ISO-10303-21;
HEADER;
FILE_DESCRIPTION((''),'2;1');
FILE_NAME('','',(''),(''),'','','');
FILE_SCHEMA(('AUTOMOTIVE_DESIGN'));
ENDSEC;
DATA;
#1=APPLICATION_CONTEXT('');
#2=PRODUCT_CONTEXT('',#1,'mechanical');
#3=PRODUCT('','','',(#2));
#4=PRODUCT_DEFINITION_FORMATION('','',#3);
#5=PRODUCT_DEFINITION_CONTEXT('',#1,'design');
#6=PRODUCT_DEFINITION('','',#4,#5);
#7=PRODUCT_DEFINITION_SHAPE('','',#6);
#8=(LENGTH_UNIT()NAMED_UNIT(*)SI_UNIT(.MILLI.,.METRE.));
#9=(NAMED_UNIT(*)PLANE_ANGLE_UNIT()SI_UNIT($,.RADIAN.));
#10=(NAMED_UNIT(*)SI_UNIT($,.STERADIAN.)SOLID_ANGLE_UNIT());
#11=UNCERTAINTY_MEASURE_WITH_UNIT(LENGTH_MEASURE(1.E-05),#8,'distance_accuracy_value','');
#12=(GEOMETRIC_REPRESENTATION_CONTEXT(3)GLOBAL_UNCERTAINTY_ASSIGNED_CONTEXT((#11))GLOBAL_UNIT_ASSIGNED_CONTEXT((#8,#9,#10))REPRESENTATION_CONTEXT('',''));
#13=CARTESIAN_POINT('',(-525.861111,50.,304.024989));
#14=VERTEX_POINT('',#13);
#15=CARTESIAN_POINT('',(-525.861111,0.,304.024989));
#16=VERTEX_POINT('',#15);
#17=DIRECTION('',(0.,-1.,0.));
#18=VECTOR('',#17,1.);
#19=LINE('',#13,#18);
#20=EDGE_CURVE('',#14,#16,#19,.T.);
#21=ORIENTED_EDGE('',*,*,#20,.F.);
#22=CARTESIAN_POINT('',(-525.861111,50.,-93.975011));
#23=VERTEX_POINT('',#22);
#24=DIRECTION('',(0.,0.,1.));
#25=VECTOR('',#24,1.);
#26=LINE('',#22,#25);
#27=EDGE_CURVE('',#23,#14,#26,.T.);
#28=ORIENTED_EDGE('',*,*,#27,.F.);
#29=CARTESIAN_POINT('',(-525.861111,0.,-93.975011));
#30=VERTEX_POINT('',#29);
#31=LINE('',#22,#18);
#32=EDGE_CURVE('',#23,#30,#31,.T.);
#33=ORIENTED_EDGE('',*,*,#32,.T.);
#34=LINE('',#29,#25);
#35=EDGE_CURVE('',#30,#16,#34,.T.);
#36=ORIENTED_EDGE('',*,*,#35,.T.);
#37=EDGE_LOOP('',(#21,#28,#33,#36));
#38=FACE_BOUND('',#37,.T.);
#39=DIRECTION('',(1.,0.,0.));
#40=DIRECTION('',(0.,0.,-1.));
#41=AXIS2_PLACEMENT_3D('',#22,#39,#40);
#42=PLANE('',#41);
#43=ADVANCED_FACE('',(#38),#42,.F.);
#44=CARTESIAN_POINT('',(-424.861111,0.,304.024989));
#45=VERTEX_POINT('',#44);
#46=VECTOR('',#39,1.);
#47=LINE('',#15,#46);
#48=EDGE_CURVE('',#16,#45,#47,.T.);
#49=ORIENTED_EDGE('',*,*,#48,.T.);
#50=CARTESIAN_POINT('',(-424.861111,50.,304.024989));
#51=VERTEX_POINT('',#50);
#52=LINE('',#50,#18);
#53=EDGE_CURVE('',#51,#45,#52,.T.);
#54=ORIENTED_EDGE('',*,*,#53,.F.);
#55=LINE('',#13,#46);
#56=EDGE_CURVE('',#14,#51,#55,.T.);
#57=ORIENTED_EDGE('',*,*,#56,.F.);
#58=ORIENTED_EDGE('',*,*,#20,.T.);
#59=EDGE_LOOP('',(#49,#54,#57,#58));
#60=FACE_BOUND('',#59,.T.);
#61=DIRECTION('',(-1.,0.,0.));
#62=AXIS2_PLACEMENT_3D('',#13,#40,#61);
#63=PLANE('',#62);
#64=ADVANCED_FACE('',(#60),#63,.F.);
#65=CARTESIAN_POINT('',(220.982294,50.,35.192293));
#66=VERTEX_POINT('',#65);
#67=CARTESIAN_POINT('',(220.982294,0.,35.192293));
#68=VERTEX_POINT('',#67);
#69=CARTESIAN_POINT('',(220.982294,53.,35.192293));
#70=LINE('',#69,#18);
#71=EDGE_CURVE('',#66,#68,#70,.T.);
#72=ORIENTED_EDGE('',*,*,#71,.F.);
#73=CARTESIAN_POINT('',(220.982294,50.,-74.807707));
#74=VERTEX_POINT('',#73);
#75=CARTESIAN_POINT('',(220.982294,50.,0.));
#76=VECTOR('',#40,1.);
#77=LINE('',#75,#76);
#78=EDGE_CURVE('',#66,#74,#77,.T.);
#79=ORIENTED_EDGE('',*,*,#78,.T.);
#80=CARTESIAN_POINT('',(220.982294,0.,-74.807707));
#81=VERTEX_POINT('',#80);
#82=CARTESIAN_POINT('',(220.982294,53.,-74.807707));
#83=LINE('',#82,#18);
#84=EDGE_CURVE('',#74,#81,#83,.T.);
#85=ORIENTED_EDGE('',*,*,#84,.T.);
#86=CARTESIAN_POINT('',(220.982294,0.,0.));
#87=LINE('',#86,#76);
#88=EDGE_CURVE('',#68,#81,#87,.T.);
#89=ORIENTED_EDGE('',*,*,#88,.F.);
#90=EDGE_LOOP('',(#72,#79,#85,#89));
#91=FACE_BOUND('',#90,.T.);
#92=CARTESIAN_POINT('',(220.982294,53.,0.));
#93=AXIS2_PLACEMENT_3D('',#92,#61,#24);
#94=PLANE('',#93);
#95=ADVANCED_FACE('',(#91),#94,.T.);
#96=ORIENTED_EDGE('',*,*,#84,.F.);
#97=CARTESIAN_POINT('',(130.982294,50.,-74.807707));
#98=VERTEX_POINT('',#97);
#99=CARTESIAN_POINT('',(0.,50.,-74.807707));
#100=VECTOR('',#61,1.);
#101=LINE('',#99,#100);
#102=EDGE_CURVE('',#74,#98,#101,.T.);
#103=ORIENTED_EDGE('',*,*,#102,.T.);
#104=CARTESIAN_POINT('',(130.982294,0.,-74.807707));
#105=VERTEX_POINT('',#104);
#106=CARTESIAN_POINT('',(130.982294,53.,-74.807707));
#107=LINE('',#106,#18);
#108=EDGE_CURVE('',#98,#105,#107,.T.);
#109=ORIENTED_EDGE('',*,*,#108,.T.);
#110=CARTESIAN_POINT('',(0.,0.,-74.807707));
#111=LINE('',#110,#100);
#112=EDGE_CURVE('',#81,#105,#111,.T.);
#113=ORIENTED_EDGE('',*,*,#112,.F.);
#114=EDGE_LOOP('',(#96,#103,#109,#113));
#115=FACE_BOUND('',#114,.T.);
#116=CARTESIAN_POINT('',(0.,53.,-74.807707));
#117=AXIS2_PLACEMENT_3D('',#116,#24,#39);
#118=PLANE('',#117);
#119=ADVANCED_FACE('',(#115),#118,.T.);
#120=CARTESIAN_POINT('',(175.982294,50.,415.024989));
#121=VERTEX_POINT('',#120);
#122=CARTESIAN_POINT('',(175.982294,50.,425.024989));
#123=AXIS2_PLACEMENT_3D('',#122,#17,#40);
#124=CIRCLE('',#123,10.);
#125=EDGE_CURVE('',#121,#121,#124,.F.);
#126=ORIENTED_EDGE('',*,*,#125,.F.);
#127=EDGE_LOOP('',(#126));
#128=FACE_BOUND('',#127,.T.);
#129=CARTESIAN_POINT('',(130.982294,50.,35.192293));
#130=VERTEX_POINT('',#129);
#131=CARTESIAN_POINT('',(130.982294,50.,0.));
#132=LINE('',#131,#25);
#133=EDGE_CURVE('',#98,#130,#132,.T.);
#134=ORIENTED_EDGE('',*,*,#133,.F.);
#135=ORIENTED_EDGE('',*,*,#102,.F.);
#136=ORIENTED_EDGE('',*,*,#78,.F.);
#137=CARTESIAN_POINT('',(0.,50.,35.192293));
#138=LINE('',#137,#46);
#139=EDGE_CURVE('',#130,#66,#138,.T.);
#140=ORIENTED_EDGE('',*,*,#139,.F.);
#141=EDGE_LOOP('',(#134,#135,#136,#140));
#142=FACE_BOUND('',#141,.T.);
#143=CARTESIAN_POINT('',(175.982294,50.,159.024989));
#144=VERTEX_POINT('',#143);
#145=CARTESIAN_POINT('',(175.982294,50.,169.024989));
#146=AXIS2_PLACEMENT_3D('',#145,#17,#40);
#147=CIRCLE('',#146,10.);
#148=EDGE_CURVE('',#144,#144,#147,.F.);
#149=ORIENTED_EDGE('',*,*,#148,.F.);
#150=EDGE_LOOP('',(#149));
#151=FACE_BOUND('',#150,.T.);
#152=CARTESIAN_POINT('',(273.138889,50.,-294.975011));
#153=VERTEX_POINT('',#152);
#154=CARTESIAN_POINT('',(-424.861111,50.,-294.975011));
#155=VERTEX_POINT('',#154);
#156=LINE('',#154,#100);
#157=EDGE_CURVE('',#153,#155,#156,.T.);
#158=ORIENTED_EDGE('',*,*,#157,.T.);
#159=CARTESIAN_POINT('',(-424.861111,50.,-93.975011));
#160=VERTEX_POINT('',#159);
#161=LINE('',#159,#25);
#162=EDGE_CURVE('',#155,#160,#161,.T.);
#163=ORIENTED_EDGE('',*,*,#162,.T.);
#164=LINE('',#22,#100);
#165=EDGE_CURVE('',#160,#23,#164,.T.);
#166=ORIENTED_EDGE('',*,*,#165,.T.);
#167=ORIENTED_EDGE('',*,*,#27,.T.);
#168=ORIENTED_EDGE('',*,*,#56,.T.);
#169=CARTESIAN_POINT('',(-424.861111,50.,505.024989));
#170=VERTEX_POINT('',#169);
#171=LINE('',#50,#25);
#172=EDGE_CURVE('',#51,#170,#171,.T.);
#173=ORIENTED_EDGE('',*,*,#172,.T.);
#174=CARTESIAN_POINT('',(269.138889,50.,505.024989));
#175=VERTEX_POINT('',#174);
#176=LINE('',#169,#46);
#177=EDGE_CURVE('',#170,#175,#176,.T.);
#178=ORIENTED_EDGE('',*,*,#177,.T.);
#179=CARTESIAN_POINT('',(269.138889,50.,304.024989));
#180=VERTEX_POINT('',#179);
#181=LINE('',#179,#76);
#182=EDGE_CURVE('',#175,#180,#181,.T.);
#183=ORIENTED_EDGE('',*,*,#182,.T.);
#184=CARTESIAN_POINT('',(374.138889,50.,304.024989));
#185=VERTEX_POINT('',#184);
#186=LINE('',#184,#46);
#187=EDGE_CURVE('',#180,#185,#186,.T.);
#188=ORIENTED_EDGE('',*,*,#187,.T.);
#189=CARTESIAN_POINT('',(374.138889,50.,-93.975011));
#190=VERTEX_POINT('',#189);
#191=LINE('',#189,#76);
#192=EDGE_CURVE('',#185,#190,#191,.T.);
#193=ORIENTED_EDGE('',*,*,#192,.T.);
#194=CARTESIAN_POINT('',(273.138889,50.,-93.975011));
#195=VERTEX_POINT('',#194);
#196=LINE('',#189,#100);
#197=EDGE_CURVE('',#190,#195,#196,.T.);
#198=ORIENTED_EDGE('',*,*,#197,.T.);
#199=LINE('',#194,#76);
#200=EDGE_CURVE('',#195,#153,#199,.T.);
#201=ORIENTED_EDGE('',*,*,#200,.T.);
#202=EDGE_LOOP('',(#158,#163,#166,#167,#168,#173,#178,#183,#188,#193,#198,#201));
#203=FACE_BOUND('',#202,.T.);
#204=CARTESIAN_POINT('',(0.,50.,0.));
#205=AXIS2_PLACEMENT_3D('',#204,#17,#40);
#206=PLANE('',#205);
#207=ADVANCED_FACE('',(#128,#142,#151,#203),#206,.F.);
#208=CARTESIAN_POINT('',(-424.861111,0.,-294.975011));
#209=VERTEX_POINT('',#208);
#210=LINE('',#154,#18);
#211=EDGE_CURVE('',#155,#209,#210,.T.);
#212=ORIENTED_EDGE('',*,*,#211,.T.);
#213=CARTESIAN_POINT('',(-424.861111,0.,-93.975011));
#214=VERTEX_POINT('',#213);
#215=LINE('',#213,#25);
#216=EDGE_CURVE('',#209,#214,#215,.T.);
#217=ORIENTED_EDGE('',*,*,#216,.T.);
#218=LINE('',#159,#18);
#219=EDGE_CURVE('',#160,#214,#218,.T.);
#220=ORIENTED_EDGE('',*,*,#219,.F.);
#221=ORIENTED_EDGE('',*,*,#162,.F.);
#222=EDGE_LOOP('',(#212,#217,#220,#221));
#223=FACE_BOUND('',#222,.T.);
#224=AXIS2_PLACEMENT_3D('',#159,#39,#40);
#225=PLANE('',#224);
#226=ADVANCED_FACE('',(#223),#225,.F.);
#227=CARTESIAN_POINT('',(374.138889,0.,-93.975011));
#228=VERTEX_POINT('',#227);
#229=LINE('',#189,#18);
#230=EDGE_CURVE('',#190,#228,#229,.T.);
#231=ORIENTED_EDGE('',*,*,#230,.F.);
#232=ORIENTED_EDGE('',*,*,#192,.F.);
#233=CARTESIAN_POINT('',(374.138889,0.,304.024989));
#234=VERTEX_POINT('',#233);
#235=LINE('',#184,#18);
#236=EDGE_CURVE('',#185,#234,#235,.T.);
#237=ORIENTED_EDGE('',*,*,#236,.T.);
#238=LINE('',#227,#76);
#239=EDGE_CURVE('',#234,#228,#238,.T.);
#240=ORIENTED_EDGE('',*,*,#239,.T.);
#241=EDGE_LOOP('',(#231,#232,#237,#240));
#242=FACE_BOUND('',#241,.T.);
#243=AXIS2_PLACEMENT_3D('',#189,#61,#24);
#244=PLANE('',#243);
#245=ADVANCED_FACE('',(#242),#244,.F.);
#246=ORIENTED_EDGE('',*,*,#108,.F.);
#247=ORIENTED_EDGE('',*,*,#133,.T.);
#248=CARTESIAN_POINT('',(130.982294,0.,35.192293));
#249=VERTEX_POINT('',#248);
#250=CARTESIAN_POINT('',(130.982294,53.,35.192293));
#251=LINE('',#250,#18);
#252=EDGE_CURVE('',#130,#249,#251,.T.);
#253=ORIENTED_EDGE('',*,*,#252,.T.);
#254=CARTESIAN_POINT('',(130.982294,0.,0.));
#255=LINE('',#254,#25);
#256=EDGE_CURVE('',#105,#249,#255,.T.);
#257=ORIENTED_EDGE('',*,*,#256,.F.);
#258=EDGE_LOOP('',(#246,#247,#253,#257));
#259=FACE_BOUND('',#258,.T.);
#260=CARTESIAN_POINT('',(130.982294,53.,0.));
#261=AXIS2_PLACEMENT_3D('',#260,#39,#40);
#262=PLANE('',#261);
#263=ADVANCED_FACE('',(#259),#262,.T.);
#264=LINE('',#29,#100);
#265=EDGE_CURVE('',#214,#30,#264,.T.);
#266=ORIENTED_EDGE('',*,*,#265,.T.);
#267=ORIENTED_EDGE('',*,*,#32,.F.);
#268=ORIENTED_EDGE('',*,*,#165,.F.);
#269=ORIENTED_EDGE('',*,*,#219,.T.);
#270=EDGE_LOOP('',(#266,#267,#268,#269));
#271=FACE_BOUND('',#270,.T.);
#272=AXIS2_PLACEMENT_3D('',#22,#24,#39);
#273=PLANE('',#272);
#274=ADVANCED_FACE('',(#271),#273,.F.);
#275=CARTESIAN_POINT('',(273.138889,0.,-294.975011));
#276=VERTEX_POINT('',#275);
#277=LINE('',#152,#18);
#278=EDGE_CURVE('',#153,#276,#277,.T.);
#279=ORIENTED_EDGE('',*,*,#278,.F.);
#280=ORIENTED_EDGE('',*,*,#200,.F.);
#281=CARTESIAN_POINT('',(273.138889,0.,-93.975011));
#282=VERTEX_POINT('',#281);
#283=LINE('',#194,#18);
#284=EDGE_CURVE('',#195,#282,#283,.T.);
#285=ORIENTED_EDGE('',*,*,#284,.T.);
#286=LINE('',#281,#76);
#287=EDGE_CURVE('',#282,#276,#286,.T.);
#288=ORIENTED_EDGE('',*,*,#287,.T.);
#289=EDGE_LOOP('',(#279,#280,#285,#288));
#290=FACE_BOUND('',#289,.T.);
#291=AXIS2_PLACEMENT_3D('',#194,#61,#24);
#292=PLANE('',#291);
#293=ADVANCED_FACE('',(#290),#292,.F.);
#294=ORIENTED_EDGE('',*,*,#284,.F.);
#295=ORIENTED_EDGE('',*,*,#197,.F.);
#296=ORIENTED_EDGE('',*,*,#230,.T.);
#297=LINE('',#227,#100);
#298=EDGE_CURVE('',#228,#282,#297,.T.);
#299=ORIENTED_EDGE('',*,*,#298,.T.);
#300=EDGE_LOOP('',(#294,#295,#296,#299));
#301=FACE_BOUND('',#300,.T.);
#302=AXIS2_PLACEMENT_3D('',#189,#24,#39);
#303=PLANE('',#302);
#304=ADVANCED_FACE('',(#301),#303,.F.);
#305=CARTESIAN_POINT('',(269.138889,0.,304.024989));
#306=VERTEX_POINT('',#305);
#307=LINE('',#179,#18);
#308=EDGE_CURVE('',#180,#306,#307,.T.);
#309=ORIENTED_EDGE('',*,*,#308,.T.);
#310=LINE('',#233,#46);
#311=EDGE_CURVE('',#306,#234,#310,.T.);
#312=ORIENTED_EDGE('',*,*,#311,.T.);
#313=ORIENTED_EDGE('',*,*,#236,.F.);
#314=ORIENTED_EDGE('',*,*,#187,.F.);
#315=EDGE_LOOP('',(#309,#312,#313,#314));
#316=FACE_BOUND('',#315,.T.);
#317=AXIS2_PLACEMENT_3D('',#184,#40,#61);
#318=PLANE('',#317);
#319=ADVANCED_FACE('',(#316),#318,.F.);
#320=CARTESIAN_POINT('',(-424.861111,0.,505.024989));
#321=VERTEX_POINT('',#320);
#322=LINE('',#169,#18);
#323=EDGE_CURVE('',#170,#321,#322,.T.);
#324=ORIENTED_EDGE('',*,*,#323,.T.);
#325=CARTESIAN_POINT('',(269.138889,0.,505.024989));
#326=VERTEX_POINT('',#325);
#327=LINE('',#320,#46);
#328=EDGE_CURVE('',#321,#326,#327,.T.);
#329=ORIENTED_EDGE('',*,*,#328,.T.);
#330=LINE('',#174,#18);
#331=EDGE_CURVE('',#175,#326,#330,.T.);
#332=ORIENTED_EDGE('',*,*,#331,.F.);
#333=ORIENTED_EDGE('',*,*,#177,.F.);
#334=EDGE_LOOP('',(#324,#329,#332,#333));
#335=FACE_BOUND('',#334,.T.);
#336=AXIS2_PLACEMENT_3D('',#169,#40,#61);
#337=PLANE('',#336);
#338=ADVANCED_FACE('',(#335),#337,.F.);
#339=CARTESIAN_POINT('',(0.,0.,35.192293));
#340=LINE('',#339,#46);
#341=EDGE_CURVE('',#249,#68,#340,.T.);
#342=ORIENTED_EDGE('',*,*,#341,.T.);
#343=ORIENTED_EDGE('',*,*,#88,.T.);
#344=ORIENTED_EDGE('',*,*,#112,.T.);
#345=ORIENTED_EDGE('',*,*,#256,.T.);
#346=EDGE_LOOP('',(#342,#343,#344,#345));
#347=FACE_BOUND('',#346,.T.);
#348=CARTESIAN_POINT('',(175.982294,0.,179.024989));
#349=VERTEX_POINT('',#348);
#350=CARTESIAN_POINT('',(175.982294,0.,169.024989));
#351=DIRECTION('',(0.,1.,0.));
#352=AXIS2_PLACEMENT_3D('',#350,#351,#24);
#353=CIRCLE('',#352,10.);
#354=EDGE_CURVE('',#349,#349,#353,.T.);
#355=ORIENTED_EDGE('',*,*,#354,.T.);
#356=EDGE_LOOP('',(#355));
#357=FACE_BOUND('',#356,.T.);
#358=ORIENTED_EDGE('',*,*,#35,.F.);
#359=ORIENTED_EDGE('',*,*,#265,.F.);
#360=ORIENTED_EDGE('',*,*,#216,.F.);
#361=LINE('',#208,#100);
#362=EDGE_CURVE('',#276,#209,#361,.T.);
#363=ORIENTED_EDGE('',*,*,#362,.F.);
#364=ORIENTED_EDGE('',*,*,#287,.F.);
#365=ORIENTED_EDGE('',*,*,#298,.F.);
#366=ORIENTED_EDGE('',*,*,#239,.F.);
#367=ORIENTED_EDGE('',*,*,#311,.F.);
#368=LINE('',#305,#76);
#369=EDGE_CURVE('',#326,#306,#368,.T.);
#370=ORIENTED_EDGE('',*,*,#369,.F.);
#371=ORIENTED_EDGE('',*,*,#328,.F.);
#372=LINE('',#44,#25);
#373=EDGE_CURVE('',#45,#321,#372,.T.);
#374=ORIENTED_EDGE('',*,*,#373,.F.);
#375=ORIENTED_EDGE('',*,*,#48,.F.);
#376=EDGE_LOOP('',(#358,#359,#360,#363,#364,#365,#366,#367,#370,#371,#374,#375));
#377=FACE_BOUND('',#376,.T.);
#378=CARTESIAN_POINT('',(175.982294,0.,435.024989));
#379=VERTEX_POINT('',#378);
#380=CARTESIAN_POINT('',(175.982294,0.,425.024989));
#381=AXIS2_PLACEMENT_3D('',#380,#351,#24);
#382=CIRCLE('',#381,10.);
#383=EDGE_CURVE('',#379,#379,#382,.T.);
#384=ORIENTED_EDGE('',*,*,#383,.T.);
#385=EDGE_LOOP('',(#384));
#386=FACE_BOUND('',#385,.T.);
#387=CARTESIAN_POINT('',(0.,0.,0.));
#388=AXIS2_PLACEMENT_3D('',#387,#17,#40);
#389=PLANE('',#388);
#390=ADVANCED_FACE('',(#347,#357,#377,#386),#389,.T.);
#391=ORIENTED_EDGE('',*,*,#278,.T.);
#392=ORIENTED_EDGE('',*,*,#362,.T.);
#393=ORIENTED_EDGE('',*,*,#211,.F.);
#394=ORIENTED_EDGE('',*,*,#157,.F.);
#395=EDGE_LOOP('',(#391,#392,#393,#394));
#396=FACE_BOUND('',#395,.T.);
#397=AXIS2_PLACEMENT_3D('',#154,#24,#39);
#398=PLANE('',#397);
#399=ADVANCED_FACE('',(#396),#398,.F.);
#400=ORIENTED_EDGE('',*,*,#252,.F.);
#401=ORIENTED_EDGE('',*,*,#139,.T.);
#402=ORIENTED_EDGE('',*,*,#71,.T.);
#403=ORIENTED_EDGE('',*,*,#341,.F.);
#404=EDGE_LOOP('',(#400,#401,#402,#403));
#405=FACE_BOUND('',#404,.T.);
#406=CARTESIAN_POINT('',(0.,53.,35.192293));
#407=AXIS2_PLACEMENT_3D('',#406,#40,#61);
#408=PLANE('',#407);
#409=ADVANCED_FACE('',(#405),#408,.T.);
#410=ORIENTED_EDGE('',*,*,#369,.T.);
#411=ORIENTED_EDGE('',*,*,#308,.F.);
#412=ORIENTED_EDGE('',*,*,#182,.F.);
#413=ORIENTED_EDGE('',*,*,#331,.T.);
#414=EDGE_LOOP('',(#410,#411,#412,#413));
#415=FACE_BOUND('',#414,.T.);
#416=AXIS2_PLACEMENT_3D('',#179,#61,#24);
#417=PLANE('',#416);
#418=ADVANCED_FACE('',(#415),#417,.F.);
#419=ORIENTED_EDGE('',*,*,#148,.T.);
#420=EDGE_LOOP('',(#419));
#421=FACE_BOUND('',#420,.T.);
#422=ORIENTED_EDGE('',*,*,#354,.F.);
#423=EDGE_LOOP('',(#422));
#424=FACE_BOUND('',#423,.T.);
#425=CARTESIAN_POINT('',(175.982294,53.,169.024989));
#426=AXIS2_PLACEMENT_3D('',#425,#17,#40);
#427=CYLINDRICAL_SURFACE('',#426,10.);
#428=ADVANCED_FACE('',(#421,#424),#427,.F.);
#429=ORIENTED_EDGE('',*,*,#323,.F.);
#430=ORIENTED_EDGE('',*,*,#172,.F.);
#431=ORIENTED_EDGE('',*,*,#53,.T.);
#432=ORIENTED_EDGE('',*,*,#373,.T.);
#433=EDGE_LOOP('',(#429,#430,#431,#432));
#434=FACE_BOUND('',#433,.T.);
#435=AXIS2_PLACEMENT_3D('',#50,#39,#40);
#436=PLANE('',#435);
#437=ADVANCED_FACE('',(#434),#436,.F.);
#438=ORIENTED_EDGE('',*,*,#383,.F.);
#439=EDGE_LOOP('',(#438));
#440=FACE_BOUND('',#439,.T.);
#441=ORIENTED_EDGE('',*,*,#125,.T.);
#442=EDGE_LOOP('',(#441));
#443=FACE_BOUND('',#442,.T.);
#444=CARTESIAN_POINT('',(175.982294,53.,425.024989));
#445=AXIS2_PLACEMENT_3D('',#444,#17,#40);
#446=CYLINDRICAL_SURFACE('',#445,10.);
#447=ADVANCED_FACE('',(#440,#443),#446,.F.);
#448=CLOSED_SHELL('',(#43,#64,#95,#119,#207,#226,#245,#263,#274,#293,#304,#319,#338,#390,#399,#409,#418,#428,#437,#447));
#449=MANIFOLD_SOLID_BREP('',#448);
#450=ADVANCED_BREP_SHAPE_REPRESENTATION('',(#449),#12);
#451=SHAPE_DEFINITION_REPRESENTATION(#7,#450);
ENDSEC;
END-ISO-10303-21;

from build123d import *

# Parameters (mm, degrees)
BOSS_EXTRUDE1_DEPTH     = 50
CUT_EXTRUDE1_DEPTH      = 731.807873314
CUT_EXTRUDE1_DEPTH_BACK = 731.807873314
SKETCH2_R               = 10
SKETCH2_W               = 90
SKETCH2_H               = 110


with BuildPart() as part:
    # Sketch1 → Boss-Extrude1 (new body)
    with BuildSketch(Plane(origin=(0, 0, 0), x_dir=(1, 0, 0), z_dir=(0, 1, 0))):
        Polygon((-424.861111111, 294.975010995), (273.138888889, 294.975010995), (273.138888889, 93.975010995), (374.138888889, 93.975010995), (374.138888889, -304.024989005), (269.138888889, -304.024989005), (269.138888889, -505.024989005), (-424.861111111, -505.024989005), (-424.861111111, -304.024989005), (-525.861111111, -304.024989005), (-525.861111111, 93.975010995), (-424.861111111, 93.975010995), align=None)
    extrude(amount=BOSS_EXTRUDE1_DEPTH)

    # Sketch2 → Cut-Extrude1 (cut, two sides: drawn at the far end of the back side and taken through both)
    with BuildSketch(Plane(origin=(0, 50, 0), x_dir=(1, 0, 0), z_dir=(0, 1, 0)).offset(-CUT_EXTRUDE1_DEPTH_BACK)):
        with Locations((175.982294355, -425.024989005)):
            Circle(SKETCH2_R)
        with Locations((175.982294355, -169.024989005)):
            Circle(SKETCH2_R)
        with Locations((175.982294355, 19.807706647)):
            Rectangle(SKETCH2_W, SKETCH2_H)
    extrude(amount=CUT_EXTRUDE1_DEPTH + CUT_EXTRUDE1_DEPTH_BACK, mode=Mode.SUBTRACT)


solid = part.part
